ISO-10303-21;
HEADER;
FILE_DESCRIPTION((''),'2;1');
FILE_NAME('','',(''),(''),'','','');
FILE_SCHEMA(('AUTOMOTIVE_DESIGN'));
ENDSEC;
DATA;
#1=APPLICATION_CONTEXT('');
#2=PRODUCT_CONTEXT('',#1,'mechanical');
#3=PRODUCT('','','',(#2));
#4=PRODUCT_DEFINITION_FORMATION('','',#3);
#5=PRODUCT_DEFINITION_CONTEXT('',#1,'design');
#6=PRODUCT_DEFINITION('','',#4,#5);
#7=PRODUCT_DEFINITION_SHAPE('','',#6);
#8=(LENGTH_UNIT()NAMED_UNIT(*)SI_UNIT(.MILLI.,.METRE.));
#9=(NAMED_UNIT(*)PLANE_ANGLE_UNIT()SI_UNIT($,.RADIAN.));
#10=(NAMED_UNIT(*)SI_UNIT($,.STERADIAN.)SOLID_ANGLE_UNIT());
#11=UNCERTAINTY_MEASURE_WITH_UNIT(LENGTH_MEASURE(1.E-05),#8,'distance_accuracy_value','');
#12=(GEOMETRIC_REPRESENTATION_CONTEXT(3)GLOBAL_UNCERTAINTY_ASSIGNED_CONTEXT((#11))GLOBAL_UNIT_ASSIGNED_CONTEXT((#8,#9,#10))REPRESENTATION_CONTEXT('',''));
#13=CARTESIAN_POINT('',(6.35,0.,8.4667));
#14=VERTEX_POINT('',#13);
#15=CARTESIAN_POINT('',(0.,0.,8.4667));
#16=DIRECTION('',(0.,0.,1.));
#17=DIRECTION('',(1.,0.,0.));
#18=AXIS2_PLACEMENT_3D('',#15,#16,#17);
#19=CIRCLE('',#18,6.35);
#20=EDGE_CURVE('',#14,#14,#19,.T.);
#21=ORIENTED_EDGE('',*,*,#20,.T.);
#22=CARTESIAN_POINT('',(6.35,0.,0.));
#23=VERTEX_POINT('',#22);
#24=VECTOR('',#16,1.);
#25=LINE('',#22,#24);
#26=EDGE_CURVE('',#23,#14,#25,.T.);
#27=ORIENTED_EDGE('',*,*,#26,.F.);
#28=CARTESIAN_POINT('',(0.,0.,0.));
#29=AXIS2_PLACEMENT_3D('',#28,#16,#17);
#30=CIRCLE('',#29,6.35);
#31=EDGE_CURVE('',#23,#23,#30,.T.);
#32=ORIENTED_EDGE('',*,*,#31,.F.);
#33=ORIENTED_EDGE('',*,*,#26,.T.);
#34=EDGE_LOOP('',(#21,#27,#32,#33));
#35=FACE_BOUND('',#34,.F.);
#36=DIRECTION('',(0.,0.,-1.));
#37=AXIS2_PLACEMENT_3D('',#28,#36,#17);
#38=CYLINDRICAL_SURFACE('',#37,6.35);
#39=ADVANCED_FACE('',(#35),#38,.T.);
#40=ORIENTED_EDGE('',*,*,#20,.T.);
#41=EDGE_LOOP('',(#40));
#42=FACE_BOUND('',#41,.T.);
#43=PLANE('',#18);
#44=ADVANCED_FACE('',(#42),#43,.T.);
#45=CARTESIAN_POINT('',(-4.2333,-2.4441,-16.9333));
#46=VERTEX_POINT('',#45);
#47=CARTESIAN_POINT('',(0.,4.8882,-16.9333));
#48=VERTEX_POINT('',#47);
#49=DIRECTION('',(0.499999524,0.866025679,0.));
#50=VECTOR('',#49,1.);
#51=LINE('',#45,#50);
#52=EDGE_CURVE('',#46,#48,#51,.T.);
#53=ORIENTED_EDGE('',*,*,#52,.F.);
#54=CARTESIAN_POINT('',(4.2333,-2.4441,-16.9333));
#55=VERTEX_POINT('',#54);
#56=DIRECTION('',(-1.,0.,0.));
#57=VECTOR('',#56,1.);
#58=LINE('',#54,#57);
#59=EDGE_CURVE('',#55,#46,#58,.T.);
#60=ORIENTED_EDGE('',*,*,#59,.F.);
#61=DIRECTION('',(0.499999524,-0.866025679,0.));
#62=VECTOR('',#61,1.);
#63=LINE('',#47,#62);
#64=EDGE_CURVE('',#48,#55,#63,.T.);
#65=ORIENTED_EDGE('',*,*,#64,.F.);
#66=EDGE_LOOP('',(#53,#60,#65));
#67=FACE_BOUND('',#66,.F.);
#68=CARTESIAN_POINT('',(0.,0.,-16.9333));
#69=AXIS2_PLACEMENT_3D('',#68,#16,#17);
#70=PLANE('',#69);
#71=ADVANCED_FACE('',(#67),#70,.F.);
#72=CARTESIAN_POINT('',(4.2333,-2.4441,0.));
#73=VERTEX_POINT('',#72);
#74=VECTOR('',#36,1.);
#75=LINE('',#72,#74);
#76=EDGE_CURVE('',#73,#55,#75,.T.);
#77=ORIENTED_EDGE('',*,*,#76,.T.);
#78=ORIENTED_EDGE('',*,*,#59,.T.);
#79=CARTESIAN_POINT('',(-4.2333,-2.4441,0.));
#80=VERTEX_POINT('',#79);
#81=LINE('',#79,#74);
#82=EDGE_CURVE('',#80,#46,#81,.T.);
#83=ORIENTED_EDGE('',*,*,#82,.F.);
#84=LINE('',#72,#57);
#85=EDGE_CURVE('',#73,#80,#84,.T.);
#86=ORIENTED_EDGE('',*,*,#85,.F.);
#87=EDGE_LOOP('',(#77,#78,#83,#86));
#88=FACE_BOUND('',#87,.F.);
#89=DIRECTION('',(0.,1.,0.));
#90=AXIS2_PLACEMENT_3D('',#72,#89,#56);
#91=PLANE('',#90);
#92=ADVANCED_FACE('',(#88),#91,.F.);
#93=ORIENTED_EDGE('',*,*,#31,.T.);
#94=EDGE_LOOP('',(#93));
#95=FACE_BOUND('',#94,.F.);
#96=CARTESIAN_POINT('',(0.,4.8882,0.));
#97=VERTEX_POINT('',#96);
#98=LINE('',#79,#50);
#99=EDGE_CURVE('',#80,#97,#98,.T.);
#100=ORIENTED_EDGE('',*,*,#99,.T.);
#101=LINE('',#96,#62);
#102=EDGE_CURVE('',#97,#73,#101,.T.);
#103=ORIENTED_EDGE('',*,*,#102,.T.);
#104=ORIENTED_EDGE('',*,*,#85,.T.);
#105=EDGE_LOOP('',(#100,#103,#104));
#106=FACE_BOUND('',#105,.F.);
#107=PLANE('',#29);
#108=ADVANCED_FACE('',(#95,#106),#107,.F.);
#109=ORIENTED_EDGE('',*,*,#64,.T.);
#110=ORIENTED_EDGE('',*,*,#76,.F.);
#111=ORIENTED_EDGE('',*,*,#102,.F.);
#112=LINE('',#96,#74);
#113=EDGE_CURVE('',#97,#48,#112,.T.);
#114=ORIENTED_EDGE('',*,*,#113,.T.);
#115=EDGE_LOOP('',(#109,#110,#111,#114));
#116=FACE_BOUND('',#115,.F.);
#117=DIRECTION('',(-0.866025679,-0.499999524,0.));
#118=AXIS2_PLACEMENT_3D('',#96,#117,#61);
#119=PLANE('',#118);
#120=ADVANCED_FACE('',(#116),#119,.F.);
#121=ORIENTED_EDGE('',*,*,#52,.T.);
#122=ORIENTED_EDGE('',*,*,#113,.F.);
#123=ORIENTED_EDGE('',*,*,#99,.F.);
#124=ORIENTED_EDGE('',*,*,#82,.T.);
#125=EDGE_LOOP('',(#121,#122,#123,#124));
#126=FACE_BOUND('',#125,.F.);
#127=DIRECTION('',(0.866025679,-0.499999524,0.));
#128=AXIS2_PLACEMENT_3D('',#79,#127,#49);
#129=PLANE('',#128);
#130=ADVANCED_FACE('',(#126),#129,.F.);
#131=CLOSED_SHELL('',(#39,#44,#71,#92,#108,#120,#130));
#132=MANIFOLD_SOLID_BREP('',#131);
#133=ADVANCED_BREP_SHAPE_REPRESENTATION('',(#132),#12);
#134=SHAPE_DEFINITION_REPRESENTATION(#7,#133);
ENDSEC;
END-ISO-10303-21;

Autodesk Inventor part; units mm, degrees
ref_plane "YZ Plane" through (0, 0, 0) normal (1, 0, 0) x (0, 1, 0)
ref_plane "XZ Plane" through (0, 0, 0) normal (0, 1, 0) x (-1, 0, 0)
ref_plane "XY Plane" through (0, 0, 0) normal (0, 0, 1) x (1, 0, 0)
sketch "Sketch1" plane through (0, 0, 0) normal (0, 0, 1) x (1, 0, 0)
  line L0 (0, 10.9985) -> (9.525, -5.4993)
  line L1 (9.525, -5.4993) -> (-9.525, -5.4993)
  line L2 (-9.525, -5.4993) -> (0, 10.9985)
  line L3 (-4.2333, -2.4441) -> (0, 4.8882)
  line L4 (0, 4.8882) -> (4.2333, -2.4441)
  line L5 (4.2333, -2.4441) -> (-4.2333, -2.4441)
  point P0 (0, 0)
  point P1 (0, 0)
  point P2 (0, 0)
  dimension "d0" = 19.05
  dimension "d1" = 8.4667
extrude "Extrusion1" add sketch "Sketch1" against normal blind 16.9333 contours L3 L4 L5
sketch "Sketch2" plane through (0, 0, 0) normal (0, 0, 1) x (1, 0, 0)
  circle A0 centre (0, 0) radius 6.35
  dimension "d4" = 12.7
extrude "Extrusion2" add sketch "Sketch2" along normal blind 8.4667
properties part number "Driver Shaft" material "ABS Plastic"
